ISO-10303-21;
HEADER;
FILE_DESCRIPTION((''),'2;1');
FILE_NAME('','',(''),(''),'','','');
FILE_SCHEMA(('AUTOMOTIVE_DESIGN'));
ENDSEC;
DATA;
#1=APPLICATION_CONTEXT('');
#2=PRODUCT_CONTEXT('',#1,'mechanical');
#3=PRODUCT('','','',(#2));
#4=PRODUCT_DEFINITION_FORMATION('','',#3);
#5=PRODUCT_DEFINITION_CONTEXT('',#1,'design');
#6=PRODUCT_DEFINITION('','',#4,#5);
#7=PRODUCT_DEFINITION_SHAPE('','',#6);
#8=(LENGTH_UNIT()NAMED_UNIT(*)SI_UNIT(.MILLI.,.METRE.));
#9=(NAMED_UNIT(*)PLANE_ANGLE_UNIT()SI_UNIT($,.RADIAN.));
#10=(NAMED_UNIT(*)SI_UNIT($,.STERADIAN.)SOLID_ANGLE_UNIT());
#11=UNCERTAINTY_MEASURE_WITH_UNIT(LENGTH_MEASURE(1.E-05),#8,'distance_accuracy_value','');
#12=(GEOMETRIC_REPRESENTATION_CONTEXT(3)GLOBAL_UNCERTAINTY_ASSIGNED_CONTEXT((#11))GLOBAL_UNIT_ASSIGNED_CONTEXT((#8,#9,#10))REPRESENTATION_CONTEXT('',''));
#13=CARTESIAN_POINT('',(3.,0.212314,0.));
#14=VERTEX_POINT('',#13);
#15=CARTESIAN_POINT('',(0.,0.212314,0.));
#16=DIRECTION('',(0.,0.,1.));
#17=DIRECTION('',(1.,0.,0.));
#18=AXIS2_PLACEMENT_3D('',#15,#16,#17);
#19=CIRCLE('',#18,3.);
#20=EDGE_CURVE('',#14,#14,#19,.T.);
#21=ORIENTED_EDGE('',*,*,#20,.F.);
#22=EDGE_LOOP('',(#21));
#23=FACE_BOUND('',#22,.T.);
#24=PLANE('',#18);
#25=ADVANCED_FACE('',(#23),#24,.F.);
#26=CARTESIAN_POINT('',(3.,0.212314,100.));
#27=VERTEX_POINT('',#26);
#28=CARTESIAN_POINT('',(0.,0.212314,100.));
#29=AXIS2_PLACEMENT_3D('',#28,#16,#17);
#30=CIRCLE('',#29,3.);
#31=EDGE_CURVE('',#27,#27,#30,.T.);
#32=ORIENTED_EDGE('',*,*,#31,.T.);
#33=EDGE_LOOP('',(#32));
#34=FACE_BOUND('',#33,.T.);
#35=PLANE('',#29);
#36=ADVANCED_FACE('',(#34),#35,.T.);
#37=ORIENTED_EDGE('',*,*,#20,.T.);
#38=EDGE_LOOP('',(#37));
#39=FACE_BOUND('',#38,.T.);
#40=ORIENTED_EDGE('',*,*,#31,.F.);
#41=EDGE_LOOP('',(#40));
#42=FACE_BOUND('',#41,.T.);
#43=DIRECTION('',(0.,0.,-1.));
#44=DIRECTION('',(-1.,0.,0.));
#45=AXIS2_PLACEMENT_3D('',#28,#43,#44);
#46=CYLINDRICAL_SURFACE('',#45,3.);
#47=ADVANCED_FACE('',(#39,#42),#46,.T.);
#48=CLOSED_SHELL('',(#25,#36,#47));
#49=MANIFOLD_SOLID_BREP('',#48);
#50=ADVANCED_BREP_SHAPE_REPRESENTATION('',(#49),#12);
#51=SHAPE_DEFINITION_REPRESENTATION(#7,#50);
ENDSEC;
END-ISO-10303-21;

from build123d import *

# Parameters (mm, degrees)
SKETCH1_R           = 3
BOSS_EXTRUDE1_DEPTH = 100


with BuildPart() as part:
    # Sketch1 → Boss-Extrude1 (new body)
    with BuildSketch(Plane.XY):
        with Locations((0, 0.212314024)):
            Circle(SKETCH1_R)
    extrude(amount=BOSS_EXTRUDE1_DEPTH)


solid = part.part
